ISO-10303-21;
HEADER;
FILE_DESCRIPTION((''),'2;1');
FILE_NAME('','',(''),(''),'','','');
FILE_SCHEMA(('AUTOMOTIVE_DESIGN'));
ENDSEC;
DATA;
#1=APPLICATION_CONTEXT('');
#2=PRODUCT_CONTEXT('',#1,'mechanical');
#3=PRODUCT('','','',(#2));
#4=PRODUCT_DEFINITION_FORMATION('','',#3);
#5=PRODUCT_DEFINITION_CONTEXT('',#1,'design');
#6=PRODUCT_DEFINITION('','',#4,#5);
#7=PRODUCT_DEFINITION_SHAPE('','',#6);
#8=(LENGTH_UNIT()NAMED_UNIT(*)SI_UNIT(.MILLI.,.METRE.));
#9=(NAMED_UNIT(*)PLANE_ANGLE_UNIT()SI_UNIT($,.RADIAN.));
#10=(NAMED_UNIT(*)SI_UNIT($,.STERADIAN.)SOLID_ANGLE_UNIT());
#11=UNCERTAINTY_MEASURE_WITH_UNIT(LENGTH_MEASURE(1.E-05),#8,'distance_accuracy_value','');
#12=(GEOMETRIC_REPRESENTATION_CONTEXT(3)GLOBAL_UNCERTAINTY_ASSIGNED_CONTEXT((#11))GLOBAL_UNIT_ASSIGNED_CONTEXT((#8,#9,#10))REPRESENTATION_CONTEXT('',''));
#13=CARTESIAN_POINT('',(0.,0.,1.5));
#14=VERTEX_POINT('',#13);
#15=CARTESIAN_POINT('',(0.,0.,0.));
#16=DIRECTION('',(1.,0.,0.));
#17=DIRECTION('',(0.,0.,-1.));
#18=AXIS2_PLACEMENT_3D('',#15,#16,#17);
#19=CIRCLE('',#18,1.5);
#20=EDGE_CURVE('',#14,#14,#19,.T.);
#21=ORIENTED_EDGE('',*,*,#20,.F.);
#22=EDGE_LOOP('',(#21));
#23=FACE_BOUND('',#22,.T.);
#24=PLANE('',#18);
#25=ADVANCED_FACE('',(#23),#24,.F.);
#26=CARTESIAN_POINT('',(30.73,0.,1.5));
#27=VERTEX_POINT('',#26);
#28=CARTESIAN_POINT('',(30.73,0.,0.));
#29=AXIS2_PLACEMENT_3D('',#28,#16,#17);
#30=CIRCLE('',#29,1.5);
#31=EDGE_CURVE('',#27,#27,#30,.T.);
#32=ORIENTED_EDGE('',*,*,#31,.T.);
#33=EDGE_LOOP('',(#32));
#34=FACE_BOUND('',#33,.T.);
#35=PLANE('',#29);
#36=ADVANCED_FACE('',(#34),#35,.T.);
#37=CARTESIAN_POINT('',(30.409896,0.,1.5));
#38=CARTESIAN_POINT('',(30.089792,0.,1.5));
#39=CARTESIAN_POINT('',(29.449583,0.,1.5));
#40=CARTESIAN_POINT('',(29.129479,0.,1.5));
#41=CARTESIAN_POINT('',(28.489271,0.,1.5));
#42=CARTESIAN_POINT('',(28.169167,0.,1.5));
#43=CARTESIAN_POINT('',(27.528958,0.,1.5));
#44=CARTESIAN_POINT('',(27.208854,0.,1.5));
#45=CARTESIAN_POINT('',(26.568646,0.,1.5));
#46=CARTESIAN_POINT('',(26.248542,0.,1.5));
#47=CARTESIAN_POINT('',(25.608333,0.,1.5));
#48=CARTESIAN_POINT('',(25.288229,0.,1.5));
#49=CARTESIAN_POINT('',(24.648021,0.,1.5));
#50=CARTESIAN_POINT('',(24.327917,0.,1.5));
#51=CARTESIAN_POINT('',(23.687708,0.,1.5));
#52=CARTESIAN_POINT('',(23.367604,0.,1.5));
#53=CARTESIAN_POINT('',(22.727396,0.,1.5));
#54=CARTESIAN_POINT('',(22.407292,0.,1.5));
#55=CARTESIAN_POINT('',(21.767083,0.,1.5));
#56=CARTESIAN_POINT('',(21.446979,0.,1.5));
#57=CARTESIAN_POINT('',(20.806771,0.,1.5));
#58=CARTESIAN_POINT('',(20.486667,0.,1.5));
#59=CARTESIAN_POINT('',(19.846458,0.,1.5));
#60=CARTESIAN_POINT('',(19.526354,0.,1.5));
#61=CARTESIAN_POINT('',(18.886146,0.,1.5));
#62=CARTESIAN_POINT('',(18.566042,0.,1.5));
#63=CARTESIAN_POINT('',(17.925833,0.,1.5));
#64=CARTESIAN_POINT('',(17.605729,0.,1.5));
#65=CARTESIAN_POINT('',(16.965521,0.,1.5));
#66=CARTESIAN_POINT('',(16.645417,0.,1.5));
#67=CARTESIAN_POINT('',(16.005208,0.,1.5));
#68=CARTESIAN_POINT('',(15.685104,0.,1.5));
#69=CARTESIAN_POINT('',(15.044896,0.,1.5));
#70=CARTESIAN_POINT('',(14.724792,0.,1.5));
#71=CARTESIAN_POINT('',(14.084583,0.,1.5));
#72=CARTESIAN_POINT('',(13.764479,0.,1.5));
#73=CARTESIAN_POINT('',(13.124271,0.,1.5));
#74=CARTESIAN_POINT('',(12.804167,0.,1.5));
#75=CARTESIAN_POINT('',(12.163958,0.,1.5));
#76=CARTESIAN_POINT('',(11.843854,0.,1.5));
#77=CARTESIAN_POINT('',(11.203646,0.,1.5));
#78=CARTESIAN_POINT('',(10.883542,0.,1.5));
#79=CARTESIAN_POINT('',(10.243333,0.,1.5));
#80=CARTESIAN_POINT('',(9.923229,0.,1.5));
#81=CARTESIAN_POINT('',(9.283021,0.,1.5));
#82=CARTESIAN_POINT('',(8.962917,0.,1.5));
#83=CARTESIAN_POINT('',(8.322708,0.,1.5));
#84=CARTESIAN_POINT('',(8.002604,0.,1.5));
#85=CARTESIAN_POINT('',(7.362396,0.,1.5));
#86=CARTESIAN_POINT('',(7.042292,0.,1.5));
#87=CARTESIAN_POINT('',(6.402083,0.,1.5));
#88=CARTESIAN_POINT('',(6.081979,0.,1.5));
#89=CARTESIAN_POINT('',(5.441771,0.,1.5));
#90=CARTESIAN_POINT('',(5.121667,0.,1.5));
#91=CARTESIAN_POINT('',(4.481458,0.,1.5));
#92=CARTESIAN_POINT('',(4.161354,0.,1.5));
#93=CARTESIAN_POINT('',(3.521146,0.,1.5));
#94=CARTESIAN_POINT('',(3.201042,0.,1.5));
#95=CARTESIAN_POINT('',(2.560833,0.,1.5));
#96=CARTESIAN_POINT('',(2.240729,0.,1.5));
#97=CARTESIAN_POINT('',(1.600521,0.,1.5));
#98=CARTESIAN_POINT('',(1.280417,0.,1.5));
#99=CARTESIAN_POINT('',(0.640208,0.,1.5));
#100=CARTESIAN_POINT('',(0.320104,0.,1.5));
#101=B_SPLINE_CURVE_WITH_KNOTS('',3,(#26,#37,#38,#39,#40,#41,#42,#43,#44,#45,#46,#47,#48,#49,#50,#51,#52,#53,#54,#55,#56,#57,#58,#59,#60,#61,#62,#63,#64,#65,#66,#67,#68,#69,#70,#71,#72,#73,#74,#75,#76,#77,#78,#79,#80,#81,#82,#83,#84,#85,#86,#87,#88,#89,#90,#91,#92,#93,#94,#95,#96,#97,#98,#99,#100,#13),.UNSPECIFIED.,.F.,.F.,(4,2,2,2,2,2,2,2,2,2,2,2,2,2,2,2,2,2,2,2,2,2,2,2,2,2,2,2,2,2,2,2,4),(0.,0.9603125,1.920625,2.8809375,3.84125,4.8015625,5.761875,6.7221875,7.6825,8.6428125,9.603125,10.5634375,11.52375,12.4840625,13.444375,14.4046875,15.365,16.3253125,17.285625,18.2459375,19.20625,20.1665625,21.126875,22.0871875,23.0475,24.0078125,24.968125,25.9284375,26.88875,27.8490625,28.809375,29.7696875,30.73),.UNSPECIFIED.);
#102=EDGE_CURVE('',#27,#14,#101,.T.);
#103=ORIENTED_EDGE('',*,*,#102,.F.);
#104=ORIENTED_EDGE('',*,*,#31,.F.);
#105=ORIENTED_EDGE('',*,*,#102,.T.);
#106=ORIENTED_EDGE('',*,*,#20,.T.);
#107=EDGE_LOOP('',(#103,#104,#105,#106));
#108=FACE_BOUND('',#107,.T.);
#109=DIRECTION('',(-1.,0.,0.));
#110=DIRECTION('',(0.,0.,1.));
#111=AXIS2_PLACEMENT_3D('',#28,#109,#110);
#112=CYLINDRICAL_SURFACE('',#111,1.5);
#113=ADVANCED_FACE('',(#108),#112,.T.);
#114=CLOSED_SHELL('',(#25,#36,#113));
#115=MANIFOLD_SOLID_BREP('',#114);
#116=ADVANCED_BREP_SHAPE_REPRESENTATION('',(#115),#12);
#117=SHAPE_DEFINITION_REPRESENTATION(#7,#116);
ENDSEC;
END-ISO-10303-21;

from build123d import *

# Parameters (mm, degrees)
SKETCH1_R           = 1.5
BOSS_EXTRUDE1_DEPTH = 30.73


with BuildPart() as part:
    # Sketch1 → Boss-Extrude1 (new body)
    with BuildSketch(Plane(origin=(0, 0, 0), x_dir=(0, 0, -1), z_dir=(1, 0, 0))):
        with Locations(Location((0, 0, 0), (0, 0, 180))):
            Circle(SKETCH1_R)
    extrude(amount=BOSS_EXTRUDE1_DEPTH)


solid = part.part
